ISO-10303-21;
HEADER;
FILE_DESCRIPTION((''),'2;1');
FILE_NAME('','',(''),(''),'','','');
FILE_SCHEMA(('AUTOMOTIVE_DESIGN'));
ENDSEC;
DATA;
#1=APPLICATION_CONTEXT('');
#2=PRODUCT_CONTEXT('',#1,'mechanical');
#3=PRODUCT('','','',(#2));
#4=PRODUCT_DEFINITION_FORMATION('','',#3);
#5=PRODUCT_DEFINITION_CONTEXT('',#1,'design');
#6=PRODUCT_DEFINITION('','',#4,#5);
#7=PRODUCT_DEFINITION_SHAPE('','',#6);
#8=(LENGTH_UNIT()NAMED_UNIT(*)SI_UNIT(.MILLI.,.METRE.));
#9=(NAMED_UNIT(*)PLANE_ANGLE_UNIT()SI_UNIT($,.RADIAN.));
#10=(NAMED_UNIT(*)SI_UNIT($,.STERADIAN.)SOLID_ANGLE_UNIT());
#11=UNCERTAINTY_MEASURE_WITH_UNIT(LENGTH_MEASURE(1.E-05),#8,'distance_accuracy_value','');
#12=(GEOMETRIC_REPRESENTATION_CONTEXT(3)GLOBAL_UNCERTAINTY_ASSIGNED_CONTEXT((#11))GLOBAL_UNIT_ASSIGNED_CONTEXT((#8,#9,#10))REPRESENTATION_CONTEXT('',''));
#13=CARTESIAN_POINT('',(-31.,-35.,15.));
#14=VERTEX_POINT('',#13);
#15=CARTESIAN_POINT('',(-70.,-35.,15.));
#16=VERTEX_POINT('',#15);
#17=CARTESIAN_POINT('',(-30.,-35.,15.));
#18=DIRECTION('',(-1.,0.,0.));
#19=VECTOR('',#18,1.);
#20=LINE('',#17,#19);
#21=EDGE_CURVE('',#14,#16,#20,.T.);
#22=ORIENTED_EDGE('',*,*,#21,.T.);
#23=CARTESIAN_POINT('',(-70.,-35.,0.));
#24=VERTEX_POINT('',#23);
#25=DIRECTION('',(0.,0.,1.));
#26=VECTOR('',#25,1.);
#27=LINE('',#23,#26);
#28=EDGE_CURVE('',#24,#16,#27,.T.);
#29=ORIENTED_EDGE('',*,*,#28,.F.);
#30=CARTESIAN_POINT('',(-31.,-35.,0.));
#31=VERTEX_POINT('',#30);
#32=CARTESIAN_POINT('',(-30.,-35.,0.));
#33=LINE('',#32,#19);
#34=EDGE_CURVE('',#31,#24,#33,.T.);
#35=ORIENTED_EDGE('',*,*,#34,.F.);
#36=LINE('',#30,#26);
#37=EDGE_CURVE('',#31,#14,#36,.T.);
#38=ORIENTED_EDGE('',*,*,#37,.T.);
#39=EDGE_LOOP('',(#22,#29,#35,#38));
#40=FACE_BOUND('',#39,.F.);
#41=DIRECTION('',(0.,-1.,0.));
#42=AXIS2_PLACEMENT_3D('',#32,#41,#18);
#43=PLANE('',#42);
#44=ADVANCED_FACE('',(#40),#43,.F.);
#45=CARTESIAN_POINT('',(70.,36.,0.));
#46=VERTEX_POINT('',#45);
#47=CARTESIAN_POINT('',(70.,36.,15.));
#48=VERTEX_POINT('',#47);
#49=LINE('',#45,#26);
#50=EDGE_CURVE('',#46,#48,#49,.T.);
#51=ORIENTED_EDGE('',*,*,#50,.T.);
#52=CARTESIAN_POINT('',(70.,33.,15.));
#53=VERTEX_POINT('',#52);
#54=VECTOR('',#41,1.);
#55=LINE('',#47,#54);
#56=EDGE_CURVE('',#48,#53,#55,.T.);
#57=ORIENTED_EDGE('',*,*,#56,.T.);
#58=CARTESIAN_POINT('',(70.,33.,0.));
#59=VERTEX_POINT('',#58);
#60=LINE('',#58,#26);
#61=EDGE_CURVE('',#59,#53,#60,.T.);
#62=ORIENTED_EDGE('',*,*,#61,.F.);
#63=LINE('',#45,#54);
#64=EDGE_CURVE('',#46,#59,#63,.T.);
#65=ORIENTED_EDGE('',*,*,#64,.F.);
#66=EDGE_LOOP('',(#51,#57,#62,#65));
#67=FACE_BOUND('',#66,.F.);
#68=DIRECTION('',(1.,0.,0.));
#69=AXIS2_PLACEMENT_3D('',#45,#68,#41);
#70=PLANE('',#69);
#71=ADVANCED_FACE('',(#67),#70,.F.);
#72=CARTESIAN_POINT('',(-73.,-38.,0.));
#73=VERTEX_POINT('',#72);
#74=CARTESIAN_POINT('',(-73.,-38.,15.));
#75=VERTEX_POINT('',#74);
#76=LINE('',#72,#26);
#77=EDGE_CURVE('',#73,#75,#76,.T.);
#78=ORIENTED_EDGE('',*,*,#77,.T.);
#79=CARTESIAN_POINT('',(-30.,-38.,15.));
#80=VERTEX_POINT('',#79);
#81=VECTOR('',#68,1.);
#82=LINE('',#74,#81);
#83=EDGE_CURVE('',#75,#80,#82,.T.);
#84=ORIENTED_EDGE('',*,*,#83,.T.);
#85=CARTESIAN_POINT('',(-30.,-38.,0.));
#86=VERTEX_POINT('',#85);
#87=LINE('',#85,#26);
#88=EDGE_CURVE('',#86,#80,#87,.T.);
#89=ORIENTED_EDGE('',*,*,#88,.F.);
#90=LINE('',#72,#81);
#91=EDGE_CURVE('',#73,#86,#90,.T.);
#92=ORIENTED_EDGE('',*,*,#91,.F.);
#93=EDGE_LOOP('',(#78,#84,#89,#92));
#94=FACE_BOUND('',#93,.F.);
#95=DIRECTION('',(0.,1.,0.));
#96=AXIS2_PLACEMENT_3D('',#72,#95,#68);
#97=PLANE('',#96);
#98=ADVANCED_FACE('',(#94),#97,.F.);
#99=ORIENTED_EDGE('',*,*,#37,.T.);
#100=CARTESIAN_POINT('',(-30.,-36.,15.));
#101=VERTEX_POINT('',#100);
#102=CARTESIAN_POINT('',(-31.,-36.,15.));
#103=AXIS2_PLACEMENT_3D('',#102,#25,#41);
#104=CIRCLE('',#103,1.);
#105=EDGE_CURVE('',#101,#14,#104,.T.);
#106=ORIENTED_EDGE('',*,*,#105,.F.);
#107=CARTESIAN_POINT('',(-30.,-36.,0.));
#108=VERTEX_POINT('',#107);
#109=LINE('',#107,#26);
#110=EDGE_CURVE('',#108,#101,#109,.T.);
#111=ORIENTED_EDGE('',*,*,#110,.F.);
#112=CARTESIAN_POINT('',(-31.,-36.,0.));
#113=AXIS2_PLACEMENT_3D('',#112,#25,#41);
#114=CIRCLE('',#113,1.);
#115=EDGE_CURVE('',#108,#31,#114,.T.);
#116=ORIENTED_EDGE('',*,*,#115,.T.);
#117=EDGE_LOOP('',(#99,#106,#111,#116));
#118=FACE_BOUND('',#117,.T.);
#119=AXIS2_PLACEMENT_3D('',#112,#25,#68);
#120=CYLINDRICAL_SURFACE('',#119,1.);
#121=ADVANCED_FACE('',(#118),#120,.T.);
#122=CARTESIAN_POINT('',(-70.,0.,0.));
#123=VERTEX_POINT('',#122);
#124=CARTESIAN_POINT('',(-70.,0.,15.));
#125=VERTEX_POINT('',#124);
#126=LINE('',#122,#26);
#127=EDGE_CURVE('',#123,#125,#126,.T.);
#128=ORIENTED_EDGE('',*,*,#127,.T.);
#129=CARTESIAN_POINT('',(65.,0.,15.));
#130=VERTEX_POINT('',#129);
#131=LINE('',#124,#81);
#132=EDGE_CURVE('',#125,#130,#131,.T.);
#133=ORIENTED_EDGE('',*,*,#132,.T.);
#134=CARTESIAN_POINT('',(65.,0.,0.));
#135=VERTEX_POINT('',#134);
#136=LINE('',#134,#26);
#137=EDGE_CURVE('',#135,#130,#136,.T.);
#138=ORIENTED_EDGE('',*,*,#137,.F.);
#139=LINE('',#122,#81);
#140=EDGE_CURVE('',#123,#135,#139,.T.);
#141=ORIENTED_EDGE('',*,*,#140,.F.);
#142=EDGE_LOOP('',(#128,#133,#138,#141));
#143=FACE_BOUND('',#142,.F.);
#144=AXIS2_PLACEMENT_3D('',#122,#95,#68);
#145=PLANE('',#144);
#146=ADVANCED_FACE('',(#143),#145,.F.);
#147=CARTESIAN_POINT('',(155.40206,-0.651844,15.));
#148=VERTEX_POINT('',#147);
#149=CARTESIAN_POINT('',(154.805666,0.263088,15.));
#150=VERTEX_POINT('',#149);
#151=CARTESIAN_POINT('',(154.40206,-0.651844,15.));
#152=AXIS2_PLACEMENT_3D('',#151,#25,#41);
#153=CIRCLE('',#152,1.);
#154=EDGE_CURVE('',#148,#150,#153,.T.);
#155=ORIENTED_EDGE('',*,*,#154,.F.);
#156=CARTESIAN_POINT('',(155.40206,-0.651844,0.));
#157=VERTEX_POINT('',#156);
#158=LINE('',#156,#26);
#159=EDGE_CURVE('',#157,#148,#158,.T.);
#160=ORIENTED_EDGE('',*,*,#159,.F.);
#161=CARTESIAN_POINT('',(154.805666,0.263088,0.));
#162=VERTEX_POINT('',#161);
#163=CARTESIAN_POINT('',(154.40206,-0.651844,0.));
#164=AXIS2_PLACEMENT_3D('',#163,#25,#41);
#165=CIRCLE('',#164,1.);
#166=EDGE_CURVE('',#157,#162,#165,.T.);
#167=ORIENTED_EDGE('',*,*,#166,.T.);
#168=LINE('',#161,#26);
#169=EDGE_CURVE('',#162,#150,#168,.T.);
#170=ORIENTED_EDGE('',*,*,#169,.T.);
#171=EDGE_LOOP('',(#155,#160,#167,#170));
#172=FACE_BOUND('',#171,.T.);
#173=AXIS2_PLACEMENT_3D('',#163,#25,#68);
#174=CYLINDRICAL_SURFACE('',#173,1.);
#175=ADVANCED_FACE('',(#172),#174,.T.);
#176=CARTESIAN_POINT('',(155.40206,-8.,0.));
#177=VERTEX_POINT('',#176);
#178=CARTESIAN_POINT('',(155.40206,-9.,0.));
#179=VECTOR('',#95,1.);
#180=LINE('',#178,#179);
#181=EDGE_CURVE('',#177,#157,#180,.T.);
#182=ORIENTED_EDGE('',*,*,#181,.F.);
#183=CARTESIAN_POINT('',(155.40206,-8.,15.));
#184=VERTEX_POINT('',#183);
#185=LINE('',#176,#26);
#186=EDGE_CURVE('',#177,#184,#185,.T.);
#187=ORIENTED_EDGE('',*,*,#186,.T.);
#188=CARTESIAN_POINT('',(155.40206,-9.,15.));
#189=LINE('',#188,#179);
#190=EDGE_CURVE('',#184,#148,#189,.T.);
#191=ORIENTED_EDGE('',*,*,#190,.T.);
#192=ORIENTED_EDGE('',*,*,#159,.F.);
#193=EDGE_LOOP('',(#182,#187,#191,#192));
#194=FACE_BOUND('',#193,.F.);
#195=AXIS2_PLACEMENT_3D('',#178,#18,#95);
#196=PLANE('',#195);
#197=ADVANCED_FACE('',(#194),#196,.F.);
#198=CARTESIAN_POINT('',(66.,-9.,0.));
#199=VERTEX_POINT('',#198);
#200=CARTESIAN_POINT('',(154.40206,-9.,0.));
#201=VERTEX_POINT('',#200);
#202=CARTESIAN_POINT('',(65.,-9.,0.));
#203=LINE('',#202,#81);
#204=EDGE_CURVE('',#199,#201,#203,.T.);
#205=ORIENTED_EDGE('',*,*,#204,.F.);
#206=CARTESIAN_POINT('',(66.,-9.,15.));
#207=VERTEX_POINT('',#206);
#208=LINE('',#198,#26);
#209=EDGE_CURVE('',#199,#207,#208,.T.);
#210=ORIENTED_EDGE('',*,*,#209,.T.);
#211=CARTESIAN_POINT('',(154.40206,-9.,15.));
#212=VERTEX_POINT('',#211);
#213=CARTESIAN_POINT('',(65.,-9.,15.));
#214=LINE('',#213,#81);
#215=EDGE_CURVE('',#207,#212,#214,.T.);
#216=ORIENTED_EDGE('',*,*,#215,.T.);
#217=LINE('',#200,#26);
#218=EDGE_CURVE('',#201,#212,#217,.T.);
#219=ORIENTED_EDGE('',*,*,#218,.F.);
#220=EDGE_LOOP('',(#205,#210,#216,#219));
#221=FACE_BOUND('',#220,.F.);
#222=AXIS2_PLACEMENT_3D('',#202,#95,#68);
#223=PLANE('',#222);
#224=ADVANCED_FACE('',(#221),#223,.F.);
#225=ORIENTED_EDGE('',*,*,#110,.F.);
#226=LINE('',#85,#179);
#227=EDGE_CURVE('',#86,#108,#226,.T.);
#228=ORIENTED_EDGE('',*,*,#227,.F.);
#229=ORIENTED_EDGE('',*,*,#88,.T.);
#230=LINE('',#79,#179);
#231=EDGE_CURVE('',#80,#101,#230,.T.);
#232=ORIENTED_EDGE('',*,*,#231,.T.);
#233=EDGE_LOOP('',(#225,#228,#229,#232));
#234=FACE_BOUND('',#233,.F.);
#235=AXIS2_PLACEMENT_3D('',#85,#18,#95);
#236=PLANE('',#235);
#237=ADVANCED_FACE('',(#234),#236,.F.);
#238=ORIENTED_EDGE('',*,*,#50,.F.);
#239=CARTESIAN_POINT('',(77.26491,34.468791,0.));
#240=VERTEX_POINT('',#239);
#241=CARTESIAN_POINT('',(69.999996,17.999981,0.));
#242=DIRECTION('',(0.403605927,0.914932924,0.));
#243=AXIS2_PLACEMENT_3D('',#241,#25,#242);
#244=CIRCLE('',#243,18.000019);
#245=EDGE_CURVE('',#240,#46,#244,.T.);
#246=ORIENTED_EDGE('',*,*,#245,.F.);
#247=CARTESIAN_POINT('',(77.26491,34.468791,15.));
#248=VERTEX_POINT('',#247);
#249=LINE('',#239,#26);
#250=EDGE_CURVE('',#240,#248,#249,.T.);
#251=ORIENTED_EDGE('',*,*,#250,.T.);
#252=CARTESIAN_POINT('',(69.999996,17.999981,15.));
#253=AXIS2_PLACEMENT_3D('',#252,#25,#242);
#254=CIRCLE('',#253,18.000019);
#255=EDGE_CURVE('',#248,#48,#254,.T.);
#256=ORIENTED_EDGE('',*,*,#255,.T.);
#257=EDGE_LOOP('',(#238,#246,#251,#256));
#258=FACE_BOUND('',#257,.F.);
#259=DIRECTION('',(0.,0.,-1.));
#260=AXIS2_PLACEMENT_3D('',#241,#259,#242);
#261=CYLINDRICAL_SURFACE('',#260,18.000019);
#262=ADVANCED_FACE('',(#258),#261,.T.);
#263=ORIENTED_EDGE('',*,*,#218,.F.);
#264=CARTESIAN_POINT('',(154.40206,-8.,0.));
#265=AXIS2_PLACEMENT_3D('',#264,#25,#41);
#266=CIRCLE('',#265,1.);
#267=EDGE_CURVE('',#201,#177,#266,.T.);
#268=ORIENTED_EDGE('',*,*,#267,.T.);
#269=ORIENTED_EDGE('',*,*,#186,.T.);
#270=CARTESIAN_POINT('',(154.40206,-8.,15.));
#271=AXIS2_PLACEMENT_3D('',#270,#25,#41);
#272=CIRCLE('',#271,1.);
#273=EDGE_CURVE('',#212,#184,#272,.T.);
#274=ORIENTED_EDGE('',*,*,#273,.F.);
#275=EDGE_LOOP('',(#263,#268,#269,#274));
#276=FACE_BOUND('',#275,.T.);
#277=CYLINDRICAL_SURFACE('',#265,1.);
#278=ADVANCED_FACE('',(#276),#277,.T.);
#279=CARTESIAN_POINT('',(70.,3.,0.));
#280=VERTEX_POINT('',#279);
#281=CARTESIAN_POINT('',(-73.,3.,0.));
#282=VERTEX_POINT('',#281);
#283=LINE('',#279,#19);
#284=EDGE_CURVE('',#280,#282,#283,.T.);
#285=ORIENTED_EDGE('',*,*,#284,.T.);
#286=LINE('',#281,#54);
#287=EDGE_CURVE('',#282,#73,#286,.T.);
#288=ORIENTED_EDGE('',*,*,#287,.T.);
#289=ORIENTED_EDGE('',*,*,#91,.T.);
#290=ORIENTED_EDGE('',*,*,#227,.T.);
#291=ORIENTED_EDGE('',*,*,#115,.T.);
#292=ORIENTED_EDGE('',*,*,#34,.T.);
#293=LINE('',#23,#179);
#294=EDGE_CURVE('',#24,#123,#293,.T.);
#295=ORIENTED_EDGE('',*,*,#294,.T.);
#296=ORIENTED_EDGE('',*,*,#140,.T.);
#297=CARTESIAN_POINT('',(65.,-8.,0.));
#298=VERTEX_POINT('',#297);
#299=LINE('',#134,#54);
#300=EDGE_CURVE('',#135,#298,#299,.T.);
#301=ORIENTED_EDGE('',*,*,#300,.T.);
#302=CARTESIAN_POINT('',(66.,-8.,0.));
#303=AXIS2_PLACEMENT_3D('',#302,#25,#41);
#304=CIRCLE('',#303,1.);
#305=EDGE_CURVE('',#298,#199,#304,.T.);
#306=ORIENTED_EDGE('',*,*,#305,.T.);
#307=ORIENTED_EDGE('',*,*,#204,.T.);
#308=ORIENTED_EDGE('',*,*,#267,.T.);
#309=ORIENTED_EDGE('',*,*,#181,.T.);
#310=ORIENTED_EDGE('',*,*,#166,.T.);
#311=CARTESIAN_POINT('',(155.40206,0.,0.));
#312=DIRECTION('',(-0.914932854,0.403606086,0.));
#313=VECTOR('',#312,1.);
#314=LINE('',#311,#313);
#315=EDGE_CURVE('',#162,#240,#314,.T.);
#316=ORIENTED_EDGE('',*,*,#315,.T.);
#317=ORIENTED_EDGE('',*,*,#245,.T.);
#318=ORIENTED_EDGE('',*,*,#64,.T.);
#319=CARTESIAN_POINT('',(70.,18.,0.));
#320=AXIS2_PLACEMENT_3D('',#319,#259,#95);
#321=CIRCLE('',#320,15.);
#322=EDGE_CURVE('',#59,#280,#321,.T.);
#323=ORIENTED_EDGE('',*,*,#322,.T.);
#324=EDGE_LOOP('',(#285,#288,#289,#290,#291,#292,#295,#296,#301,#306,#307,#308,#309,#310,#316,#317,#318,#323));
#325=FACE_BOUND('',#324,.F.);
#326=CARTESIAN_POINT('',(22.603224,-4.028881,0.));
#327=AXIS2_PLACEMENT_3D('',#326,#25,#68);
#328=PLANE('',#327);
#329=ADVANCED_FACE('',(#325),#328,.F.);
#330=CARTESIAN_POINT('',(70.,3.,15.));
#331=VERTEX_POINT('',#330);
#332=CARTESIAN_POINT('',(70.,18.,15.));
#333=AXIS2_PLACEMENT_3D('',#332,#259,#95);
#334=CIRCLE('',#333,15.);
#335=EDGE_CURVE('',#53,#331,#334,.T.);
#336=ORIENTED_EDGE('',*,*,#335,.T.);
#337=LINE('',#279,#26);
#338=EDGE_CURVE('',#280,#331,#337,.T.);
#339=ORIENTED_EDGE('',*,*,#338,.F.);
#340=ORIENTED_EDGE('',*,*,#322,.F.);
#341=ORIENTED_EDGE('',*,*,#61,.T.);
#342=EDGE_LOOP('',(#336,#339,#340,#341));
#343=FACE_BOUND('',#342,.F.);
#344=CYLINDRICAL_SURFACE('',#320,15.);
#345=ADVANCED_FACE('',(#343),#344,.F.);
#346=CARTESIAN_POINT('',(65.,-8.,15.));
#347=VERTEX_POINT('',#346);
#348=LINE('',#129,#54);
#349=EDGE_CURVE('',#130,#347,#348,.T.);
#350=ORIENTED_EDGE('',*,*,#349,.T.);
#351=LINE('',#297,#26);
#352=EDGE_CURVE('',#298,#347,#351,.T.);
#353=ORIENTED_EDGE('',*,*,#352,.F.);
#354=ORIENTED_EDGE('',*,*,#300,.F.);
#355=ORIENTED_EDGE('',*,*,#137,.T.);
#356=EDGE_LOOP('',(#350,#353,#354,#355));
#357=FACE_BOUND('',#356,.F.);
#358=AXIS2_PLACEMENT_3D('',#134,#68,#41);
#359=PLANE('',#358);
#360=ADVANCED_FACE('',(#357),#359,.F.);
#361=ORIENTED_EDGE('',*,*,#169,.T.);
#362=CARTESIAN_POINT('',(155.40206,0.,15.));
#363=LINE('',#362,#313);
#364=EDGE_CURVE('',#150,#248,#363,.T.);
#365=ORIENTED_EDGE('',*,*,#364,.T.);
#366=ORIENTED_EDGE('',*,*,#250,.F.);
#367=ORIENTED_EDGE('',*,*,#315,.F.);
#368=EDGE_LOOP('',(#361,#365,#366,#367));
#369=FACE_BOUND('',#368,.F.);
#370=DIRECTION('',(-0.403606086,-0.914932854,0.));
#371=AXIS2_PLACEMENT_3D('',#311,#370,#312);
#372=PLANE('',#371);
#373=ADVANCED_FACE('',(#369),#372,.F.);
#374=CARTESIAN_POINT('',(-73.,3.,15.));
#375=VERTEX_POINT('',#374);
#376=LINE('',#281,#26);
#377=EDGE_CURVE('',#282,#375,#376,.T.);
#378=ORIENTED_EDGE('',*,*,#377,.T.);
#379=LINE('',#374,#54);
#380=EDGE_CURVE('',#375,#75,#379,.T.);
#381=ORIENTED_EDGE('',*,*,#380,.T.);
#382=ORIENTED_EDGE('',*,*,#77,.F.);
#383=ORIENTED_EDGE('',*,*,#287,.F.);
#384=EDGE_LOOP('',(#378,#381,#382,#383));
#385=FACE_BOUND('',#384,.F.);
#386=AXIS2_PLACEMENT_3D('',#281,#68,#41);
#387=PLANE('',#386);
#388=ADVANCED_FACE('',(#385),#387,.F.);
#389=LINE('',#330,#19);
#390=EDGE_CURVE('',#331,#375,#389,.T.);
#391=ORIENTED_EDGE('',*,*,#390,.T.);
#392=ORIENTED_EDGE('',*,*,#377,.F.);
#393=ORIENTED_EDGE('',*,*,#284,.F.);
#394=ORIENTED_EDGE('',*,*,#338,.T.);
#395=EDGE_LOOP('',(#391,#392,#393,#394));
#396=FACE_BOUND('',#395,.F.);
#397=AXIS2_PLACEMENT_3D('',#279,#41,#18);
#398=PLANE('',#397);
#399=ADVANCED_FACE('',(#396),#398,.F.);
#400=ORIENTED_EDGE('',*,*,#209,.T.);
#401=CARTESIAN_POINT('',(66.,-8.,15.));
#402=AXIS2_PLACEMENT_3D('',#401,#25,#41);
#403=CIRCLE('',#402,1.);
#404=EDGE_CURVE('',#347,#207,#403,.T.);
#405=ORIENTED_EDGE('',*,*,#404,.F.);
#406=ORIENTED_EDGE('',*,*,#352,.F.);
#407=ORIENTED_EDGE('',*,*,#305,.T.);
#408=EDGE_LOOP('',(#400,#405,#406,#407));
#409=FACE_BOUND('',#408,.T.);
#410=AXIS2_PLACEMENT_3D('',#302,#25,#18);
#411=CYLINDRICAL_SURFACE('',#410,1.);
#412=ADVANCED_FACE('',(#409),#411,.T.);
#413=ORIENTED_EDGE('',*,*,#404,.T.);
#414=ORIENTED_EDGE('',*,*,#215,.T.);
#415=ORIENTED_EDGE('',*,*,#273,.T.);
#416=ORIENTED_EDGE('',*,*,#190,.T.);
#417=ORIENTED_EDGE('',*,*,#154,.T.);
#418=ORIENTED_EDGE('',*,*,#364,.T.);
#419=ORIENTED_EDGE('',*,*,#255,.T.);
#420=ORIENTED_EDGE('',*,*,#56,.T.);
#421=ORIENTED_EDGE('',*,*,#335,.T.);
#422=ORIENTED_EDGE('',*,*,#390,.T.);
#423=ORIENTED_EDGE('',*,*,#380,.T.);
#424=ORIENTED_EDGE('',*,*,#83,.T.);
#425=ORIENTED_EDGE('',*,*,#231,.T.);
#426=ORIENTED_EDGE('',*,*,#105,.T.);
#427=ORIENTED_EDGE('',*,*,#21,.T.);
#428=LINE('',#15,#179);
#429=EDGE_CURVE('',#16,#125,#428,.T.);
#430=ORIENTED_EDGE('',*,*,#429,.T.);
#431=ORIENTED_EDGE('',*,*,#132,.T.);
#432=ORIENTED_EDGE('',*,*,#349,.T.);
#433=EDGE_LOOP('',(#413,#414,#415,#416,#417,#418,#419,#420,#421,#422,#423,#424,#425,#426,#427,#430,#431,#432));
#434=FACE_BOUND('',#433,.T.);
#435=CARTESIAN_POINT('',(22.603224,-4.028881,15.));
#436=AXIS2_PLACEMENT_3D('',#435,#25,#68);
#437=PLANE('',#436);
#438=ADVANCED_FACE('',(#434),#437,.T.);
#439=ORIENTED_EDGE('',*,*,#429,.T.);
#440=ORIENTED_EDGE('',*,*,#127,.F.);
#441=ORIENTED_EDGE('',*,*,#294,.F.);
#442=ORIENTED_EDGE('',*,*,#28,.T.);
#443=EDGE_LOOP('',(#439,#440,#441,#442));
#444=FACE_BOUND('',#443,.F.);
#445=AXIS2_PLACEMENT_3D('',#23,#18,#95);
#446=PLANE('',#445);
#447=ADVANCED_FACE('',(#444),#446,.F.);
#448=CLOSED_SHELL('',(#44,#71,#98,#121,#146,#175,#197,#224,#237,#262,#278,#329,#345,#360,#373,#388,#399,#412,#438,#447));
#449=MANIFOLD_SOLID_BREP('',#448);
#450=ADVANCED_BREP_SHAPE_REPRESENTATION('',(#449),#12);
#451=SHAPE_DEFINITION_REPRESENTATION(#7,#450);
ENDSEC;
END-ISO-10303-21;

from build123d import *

# Parameters (mm, degrees)
F1_DEPTH = 15
F2_R     = 1


with BuildPart() as f1:
    # F0 (on Top) → F1 (new body)
    with BuildSketch(Plane.XY):
        with BuildLine():
            Line((-70, -35), (-70, 0))
            Line((-70, 0), (65, 0))
            Line((65, 0), (65, -9))
            Line((65, -9), (155.40206, -9))
            Line((155.40206, -9), (155.40206, 0))
            Line((155.40206, 0), (77.26491, 34.468791))
            ThreePointArc((77.26491, 34.468791), (85.791563, 9.361335), (60.050126, 3))
            Line((60.050126, 3), (-73, 3))
            Line((-73, 3), (-73, -38))
            Line((-73, -38), (-30, -38))
            Line((-30, -38), (-30, -35))
            Line((-30, -35), (-70, -35))
        make_face()
        with BuildLine():
            ThreePointArc((60.050126, 3), (85.791563, 9.361335), (77.26491, 34.468791))
            ThreePointArc((77.26491, 34.468791), (73.71226, 35.613038), (70, 36))
            Line((70, 36), (70, 33))
            ThreePointArc((70, 33), (85, 18), (70, 3))
            Line((70, 3), (60.050126, 3))
        make_face()
    extrude(amount=F1_DEPTH)

    # F2
    f2_edges = [f1.edges().sort_by_distance(p)[0] for p in [
        (65, -9, 7.5),
        (155.40206, -9, 7.5),
        (155.40206, 0, 7.5),
        (-30, -35, 7.5),
    ]]
    fillet(f2_edges, radius=F2_R)


solid = f1.part
